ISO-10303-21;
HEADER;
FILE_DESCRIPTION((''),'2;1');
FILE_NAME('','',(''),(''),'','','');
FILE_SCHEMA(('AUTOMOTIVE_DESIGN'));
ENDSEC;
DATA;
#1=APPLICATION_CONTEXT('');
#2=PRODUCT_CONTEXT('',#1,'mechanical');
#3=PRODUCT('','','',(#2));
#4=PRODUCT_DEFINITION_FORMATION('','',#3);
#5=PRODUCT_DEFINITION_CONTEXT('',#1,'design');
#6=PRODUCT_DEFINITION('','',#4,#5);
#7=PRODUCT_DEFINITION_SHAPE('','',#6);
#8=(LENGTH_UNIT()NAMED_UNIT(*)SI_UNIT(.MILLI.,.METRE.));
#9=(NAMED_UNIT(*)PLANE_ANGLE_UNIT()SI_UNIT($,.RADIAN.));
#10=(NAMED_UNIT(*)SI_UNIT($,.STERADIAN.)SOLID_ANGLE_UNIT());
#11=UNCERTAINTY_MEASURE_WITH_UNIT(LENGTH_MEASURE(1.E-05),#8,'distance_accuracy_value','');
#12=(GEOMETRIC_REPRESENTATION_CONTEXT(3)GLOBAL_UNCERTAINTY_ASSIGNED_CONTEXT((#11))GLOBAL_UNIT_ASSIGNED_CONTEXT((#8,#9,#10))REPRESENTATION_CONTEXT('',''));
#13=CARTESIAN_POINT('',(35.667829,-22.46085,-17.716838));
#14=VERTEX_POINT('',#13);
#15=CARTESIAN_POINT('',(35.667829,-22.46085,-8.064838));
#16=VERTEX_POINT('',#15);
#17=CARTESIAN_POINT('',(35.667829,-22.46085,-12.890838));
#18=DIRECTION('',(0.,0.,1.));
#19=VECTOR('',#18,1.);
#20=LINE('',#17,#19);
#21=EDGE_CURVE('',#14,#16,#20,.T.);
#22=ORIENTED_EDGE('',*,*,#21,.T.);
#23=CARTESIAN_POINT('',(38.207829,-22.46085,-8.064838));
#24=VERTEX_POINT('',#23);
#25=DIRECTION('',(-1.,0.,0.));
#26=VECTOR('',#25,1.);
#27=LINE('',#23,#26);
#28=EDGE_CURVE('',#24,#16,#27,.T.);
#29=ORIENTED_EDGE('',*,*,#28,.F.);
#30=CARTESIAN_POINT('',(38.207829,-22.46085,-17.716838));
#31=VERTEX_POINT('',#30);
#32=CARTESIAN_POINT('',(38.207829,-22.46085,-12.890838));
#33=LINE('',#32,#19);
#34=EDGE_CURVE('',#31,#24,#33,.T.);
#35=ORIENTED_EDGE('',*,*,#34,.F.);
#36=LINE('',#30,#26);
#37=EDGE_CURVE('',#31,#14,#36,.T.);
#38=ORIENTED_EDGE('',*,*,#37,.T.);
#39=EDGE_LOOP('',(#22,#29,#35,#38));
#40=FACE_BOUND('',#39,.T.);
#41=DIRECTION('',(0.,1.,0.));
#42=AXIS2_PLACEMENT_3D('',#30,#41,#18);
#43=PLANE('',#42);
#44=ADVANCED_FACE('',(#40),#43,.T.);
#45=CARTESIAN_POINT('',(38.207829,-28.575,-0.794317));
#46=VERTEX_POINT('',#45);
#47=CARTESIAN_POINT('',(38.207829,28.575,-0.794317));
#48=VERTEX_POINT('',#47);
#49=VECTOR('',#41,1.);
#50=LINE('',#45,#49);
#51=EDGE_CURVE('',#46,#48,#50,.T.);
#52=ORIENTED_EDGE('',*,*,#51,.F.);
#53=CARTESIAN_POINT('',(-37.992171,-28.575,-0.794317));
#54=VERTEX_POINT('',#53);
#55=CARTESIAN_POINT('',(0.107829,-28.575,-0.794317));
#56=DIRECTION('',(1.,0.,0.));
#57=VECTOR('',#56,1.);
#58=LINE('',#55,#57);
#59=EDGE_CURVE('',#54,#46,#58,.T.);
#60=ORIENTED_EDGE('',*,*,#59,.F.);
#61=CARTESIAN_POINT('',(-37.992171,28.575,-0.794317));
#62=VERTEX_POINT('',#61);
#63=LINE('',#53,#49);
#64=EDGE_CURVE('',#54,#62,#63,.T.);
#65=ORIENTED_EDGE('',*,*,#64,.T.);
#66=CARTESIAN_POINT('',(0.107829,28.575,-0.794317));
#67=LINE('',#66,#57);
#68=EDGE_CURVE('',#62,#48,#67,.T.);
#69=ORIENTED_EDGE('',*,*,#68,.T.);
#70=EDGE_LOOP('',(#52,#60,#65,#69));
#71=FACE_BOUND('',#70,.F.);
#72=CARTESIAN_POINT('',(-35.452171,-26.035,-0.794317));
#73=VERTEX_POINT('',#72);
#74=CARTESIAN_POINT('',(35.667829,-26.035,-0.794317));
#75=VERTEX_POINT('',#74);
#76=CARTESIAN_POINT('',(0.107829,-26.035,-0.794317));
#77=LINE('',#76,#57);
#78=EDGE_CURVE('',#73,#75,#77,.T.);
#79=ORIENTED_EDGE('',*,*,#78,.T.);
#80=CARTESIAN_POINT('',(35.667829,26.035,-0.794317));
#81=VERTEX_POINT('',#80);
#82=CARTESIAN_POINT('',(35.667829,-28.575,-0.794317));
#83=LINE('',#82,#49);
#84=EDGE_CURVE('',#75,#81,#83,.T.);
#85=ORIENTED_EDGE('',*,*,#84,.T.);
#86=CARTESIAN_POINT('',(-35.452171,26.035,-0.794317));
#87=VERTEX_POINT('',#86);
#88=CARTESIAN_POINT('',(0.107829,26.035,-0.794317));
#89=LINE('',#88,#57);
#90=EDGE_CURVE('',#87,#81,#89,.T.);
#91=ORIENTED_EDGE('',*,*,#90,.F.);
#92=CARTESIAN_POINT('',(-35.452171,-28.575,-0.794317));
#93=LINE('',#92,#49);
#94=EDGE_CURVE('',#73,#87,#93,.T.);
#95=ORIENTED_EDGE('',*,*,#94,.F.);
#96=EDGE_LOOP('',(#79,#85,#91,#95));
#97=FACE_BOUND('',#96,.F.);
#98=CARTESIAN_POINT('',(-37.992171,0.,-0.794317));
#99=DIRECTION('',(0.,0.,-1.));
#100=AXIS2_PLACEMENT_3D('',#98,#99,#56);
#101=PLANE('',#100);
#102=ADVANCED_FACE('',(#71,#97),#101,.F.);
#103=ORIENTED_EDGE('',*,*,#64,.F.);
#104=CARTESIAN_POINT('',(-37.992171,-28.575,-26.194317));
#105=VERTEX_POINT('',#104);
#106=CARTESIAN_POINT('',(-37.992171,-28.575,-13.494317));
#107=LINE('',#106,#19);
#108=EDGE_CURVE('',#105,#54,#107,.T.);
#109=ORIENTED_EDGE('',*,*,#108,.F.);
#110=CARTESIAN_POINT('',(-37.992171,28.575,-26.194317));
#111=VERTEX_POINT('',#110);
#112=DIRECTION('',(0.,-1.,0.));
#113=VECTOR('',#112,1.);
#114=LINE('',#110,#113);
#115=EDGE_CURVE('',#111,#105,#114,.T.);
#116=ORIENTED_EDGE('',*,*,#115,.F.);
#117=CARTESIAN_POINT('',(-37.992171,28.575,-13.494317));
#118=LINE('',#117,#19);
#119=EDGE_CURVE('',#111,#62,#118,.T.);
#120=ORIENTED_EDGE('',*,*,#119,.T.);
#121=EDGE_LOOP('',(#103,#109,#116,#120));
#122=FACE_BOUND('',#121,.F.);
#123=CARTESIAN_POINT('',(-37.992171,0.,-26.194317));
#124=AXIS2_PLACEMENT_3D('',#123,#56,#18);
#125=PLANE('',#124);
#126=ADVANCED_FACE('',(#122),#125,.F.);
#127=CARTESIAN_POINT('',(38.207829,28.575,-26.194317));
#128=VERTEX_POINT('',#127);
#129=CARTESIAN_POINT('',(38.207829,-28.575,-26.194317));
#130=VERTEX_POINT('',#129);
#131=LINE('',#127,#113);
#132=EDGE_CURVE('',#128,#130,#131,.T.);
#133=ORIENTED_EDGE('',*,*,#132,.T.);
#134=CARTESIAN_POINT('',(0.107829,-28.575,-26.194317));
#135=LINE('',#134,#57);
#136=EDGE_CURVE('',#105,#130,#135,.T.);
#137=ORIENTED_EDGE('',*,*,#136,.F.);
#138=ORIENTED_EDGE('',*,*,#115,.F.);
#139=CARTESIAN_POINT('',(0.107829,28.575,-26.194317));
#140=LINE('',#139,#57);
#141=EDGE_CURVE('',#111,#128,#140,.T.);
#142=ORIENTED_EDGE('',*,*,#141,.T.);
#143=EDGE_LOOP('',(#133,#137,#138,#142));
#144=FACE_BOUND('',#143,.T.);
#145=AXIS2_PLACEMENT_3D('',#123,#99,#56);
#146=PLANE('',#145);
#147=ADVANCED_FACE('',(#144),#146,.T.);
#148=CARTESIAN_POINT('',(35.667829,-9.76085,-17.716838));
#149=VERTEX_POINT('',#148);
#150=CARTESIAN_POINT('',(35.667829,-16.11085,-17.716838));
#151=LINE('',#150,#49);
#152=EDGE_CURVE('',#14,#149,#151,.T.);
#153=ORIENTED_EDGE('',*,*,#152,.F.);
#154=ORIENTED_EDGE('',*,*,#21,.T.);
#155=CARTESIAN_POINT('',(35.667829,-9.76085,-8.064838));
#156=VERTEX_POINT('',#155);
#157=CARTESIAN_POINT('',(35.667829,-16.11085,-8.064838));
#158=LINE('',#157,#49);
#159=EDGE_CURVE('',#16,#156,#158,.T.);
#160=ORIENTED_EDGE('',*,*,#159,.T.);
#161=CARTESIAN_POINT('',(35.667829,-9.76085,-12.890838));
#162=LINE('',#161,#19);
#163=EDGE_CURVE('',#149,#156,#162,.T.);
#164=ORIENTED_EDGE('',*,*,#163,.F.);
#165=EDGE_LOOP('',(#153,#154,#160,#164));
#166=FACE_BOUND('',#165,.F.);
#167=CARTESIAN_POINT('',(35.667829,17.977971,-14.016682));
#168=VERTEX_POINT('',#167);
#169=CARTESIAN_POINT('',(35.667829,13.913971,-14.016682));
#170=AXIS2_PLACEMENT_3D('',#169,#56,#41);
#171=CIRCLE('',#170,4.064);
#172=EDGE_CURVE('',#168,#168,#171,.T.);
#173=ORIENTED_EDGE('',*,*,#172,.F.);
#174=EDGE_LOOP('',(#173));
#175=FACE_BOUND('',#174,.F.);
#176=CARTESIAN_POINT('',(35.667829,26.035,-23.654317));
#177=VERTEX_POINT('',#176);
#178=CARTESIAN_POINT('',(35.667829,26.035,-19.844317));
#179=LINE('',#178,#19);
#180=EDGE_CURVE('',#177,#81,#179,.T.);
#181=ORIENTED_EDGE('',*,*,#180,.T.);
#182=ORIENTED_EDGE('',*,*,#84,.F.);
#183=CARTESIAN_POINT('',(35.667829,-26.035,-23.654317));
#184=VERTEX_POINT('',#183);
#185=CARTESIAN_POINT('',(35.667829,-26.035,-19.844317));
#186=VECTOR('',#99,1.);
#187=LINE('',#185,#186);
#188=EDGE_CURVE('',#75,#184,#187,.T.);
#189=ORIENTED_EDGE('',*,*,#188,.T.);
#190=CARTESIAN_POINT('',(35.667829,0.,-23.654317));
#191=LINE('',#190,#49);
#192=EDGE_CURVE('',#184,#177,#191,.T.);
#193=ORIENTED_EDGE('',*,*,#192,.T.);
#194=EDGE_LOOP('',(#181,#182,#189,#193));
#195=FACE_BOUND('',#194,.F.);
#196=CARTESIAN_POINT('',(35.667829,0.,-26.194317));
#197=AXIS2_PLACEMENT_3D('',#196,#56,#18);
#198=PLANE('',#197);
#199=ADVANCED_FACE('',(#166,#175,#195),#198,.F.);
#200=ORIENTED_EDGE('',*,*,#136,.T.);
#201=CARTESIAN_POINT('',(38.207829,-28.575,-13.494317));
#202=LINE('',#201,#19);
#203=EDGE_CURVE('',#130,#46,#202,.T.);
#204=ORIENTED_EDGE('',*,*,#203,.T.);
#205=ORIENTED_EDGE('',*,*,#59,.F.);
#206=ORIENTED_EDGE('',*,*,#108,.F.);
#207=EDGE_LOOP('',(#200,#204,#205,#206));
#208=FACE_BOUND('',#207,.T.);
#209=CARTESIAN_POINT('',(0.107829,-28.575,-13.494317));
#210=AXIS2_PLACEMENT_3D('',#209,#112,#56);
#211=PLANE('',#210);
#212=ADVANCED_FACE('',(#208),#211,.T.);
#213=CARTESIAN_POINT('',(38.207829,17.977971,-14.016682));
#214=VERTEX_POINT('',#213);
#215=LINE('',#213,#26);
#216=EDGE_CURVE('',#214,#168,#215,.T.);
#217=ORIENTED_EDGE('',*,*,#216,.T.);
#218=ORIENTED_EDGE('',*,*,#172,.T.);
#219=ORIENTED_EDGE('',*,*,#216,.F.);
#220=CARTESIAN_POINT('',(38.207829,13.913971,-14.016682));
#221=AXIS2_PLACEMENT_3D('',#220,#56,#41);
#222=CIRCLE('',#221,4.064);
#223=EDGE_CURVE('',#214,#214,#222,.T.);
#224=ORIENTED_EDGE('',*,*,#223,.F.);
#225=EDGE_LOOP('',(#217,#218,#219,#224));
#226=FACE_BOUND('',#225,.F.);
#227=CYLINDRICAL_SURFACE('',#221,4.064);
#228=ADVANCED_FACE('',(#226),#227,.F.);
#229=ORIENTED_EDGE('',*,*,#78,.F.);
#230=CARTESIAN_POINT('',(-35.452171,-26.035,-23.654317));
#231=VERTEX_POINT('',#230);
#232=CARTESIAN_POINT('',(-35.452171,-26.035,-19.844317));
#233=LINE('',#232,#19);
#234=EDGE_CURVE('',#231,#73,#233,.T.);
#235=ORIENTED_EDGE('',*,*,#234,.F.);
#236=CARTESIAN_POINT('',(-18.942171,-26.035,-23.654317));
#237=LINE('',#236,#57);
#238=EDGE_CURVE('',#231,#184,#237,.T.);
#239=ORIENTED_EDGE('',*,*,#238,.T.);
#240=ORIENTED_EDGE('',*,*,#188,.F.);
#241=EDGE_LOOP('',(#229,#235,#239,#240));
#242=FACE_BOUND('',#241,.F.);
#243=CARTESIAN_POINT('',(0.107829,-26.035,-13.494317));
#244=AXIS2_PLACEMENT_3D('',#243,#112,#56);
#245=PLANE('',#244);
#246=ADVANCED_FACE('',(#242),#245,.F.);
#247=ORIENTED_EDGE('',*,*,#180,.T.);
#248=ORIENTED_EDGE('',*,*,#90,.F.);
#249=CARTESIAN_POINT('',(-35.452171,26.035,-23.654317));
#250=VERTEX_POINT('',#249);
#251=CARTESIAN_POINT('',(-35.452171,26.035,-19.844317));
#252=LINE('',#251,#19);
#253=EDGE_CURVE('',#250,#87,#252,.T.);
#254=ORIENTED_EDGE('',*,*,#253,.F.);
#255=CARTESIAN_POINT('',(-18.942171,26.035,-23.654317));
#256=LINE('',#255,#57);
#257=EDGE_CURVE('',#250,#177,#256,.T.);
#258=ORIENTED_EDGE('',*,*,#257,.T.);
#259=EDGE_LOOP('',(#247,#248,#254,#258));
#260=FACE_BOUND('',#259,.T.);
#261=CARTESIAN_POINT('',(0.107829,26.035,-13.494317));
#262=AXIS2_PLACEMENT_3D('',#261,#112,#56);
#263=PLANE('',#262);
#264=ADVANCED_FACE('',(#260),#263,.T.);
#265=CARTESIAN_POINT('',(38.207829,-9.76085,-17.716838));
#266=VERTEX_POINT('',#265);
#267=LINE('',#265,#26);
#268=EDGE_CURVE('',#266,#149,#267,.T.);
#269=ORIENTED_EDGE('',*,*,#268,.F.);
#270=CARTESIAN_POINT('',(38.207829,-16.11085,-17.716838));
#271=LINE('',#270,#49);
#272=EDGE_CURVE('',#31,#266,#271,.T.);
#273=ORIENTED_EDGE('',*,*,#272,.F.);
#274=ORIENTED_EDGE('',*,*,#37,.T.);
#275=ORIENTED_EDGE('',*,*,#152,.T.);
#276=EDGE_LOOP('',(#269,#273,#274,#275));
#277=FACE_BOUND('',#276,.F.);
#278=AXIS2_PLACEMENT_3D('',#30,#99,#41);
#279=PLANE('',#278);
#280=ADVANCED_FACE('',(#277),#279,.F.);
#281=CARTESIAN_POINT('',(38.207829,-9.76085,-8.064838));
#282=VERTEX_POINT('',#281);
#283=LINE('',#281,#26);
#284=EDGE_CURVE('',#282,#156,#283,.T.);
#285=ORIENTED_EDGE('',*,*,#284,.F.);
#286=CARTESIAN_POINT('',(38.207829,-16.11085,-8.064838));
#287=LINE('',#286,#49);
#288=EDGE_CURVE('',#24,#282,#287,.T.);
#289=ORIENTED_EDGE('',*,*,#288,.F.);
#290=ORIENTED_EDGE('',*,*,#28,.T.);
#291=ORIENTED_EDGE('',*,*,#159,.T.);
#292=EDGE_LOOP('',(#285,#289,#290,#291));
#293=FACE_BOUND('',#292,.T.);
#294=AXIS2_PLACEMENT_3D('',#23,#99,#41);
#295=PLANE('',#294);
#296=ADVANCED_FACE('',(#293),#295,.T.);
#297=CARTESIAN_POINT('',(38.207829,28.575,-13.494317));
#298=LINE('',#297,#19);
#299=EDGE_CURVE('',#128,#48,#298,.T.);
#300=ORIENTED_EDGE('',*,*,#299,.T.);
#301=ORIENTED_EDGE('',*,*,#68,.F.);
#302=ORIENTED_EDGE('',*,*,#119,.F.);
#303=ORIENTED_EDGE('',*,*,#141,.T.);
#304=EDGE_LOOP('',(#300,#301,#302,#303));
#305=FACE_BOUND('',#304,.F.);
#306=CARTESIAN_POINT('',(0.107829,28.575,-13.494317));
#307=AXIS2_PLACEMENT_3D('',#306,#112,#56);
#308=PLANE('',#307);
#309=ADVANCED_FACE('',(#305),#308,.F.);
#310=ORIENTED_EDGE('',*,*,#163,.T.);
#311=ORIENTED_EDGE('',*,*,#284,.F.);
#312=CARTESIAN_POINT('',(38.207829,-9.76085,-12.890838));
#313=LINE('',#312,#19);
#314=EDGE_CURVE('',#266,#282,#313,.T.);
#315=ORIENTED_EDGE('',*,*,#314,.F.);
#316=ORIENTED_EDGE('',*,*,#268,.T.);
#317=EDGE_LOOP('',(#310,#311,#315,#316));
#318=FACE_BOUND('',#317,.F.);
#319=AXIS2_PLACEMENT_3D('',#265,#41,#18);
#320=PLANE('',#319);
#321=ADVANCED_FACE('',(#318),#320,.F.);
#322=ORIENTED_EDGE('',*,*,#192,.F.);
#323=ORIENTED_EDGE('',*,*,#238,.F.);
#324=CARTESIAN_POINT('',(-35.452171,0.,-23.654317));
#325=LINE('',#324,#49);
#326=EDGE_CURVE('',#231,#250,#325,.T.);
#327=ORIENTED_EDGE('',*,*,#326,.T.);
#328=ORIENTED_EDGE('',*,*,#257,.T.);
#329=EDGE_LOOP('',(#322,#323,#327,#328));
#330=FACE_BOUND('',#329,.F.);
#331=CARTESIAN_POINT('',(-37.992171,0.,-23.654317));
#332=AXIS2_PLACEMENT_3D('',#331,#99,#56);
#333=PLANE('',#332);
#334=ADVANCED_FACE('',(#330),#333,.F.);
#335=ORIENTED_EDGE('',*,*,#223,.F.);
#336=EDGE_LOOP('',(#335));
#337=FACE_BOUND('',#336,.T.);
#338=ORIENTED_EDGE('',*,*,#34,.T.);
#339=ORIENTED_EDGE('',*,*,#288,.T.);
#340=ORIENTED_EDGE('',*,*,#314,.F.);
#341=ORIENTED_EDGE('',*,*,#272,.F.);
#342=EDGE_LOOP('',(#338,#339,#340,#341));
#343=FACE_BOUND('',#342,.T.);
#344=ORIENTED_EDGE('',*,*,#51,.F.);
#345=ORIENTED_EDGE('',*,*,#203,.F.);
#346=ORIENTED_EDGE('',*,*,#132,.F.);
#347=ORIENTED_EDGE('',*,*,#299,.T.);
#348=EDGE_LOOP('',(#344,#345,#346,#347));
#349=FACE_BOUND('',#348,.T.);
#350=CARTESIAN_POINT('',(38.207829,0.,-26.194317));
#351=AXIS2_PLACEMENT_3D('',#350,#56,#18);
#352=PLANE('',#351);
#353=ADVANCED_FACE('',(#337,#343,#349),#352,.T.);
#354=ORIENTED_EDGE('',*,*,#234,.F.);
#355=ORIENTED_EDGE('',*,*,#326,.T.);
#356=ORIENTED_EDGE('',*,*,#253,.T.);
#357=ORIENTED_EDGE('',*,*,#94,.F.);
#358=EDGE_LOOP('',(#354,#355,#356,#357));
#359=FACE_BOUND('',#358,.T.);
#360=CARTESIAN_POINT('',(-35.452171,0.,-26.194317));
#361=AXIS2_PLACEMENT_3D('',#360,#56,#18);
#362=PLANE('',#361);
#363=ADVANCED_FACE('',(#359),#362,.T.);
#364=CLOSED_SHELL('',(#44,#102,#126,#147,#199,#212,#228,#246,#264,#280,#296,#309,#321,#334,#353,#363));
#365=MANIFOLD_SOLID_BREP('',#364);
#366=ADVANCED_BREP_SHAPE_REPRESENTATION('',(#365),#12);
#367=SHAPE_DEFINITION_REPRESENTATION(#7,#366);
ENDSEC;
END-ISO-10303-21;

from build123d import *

# Parameters (mm, degrees)
F0_W     = 76.2
F0_H     = 25.4
F1_DEPTH = 28.575
F2_T     = -2.54
F3_R     = 4.064
F4_DEPTH = 2.54
F5_W     = 12.7
F5_H     = 9.652
F6_DEPTH = 2.54


with BuildPart() as f1:
    # F0 (on Front) → F1 (new body, symmetric)
    with BuildSketch(Plane.XZ):
        with Locations((0.107829, -13.494317)):
            Rectangle(F0_W, F0_H)
    extrude(amount=F1_DEPTH, both=True)

    # F2
    f2_openings = [f1.faces().sort_by_distance(p)[0] for p in [
        (0.107829, 0, -0.794317),
    ]]
    offset(amount=F2_T, openings=f2_openings)

    # F3 (on face) → F4 (cut, through all)
    with BuildSketch(Plane.YZ.offset(38.207829)):
        with Locations((13.913971, -14.016682)):
            Circle(F3_R)
    extrude(amount=-F4_DEPTH, mode=Mode.SUBTRACT)

    # F5 (on face) → F6 (cut, through all)
    with BuildSketch(Plane.YZ.offset(38.207829)):
        with Locations((-16.11085, -12.890838)):
            Rectangle(F5_W, F5_H)
    extrude(amount=-F6_DEPTH, mode=Mode.SUBTRACT)


solid = f1.part
